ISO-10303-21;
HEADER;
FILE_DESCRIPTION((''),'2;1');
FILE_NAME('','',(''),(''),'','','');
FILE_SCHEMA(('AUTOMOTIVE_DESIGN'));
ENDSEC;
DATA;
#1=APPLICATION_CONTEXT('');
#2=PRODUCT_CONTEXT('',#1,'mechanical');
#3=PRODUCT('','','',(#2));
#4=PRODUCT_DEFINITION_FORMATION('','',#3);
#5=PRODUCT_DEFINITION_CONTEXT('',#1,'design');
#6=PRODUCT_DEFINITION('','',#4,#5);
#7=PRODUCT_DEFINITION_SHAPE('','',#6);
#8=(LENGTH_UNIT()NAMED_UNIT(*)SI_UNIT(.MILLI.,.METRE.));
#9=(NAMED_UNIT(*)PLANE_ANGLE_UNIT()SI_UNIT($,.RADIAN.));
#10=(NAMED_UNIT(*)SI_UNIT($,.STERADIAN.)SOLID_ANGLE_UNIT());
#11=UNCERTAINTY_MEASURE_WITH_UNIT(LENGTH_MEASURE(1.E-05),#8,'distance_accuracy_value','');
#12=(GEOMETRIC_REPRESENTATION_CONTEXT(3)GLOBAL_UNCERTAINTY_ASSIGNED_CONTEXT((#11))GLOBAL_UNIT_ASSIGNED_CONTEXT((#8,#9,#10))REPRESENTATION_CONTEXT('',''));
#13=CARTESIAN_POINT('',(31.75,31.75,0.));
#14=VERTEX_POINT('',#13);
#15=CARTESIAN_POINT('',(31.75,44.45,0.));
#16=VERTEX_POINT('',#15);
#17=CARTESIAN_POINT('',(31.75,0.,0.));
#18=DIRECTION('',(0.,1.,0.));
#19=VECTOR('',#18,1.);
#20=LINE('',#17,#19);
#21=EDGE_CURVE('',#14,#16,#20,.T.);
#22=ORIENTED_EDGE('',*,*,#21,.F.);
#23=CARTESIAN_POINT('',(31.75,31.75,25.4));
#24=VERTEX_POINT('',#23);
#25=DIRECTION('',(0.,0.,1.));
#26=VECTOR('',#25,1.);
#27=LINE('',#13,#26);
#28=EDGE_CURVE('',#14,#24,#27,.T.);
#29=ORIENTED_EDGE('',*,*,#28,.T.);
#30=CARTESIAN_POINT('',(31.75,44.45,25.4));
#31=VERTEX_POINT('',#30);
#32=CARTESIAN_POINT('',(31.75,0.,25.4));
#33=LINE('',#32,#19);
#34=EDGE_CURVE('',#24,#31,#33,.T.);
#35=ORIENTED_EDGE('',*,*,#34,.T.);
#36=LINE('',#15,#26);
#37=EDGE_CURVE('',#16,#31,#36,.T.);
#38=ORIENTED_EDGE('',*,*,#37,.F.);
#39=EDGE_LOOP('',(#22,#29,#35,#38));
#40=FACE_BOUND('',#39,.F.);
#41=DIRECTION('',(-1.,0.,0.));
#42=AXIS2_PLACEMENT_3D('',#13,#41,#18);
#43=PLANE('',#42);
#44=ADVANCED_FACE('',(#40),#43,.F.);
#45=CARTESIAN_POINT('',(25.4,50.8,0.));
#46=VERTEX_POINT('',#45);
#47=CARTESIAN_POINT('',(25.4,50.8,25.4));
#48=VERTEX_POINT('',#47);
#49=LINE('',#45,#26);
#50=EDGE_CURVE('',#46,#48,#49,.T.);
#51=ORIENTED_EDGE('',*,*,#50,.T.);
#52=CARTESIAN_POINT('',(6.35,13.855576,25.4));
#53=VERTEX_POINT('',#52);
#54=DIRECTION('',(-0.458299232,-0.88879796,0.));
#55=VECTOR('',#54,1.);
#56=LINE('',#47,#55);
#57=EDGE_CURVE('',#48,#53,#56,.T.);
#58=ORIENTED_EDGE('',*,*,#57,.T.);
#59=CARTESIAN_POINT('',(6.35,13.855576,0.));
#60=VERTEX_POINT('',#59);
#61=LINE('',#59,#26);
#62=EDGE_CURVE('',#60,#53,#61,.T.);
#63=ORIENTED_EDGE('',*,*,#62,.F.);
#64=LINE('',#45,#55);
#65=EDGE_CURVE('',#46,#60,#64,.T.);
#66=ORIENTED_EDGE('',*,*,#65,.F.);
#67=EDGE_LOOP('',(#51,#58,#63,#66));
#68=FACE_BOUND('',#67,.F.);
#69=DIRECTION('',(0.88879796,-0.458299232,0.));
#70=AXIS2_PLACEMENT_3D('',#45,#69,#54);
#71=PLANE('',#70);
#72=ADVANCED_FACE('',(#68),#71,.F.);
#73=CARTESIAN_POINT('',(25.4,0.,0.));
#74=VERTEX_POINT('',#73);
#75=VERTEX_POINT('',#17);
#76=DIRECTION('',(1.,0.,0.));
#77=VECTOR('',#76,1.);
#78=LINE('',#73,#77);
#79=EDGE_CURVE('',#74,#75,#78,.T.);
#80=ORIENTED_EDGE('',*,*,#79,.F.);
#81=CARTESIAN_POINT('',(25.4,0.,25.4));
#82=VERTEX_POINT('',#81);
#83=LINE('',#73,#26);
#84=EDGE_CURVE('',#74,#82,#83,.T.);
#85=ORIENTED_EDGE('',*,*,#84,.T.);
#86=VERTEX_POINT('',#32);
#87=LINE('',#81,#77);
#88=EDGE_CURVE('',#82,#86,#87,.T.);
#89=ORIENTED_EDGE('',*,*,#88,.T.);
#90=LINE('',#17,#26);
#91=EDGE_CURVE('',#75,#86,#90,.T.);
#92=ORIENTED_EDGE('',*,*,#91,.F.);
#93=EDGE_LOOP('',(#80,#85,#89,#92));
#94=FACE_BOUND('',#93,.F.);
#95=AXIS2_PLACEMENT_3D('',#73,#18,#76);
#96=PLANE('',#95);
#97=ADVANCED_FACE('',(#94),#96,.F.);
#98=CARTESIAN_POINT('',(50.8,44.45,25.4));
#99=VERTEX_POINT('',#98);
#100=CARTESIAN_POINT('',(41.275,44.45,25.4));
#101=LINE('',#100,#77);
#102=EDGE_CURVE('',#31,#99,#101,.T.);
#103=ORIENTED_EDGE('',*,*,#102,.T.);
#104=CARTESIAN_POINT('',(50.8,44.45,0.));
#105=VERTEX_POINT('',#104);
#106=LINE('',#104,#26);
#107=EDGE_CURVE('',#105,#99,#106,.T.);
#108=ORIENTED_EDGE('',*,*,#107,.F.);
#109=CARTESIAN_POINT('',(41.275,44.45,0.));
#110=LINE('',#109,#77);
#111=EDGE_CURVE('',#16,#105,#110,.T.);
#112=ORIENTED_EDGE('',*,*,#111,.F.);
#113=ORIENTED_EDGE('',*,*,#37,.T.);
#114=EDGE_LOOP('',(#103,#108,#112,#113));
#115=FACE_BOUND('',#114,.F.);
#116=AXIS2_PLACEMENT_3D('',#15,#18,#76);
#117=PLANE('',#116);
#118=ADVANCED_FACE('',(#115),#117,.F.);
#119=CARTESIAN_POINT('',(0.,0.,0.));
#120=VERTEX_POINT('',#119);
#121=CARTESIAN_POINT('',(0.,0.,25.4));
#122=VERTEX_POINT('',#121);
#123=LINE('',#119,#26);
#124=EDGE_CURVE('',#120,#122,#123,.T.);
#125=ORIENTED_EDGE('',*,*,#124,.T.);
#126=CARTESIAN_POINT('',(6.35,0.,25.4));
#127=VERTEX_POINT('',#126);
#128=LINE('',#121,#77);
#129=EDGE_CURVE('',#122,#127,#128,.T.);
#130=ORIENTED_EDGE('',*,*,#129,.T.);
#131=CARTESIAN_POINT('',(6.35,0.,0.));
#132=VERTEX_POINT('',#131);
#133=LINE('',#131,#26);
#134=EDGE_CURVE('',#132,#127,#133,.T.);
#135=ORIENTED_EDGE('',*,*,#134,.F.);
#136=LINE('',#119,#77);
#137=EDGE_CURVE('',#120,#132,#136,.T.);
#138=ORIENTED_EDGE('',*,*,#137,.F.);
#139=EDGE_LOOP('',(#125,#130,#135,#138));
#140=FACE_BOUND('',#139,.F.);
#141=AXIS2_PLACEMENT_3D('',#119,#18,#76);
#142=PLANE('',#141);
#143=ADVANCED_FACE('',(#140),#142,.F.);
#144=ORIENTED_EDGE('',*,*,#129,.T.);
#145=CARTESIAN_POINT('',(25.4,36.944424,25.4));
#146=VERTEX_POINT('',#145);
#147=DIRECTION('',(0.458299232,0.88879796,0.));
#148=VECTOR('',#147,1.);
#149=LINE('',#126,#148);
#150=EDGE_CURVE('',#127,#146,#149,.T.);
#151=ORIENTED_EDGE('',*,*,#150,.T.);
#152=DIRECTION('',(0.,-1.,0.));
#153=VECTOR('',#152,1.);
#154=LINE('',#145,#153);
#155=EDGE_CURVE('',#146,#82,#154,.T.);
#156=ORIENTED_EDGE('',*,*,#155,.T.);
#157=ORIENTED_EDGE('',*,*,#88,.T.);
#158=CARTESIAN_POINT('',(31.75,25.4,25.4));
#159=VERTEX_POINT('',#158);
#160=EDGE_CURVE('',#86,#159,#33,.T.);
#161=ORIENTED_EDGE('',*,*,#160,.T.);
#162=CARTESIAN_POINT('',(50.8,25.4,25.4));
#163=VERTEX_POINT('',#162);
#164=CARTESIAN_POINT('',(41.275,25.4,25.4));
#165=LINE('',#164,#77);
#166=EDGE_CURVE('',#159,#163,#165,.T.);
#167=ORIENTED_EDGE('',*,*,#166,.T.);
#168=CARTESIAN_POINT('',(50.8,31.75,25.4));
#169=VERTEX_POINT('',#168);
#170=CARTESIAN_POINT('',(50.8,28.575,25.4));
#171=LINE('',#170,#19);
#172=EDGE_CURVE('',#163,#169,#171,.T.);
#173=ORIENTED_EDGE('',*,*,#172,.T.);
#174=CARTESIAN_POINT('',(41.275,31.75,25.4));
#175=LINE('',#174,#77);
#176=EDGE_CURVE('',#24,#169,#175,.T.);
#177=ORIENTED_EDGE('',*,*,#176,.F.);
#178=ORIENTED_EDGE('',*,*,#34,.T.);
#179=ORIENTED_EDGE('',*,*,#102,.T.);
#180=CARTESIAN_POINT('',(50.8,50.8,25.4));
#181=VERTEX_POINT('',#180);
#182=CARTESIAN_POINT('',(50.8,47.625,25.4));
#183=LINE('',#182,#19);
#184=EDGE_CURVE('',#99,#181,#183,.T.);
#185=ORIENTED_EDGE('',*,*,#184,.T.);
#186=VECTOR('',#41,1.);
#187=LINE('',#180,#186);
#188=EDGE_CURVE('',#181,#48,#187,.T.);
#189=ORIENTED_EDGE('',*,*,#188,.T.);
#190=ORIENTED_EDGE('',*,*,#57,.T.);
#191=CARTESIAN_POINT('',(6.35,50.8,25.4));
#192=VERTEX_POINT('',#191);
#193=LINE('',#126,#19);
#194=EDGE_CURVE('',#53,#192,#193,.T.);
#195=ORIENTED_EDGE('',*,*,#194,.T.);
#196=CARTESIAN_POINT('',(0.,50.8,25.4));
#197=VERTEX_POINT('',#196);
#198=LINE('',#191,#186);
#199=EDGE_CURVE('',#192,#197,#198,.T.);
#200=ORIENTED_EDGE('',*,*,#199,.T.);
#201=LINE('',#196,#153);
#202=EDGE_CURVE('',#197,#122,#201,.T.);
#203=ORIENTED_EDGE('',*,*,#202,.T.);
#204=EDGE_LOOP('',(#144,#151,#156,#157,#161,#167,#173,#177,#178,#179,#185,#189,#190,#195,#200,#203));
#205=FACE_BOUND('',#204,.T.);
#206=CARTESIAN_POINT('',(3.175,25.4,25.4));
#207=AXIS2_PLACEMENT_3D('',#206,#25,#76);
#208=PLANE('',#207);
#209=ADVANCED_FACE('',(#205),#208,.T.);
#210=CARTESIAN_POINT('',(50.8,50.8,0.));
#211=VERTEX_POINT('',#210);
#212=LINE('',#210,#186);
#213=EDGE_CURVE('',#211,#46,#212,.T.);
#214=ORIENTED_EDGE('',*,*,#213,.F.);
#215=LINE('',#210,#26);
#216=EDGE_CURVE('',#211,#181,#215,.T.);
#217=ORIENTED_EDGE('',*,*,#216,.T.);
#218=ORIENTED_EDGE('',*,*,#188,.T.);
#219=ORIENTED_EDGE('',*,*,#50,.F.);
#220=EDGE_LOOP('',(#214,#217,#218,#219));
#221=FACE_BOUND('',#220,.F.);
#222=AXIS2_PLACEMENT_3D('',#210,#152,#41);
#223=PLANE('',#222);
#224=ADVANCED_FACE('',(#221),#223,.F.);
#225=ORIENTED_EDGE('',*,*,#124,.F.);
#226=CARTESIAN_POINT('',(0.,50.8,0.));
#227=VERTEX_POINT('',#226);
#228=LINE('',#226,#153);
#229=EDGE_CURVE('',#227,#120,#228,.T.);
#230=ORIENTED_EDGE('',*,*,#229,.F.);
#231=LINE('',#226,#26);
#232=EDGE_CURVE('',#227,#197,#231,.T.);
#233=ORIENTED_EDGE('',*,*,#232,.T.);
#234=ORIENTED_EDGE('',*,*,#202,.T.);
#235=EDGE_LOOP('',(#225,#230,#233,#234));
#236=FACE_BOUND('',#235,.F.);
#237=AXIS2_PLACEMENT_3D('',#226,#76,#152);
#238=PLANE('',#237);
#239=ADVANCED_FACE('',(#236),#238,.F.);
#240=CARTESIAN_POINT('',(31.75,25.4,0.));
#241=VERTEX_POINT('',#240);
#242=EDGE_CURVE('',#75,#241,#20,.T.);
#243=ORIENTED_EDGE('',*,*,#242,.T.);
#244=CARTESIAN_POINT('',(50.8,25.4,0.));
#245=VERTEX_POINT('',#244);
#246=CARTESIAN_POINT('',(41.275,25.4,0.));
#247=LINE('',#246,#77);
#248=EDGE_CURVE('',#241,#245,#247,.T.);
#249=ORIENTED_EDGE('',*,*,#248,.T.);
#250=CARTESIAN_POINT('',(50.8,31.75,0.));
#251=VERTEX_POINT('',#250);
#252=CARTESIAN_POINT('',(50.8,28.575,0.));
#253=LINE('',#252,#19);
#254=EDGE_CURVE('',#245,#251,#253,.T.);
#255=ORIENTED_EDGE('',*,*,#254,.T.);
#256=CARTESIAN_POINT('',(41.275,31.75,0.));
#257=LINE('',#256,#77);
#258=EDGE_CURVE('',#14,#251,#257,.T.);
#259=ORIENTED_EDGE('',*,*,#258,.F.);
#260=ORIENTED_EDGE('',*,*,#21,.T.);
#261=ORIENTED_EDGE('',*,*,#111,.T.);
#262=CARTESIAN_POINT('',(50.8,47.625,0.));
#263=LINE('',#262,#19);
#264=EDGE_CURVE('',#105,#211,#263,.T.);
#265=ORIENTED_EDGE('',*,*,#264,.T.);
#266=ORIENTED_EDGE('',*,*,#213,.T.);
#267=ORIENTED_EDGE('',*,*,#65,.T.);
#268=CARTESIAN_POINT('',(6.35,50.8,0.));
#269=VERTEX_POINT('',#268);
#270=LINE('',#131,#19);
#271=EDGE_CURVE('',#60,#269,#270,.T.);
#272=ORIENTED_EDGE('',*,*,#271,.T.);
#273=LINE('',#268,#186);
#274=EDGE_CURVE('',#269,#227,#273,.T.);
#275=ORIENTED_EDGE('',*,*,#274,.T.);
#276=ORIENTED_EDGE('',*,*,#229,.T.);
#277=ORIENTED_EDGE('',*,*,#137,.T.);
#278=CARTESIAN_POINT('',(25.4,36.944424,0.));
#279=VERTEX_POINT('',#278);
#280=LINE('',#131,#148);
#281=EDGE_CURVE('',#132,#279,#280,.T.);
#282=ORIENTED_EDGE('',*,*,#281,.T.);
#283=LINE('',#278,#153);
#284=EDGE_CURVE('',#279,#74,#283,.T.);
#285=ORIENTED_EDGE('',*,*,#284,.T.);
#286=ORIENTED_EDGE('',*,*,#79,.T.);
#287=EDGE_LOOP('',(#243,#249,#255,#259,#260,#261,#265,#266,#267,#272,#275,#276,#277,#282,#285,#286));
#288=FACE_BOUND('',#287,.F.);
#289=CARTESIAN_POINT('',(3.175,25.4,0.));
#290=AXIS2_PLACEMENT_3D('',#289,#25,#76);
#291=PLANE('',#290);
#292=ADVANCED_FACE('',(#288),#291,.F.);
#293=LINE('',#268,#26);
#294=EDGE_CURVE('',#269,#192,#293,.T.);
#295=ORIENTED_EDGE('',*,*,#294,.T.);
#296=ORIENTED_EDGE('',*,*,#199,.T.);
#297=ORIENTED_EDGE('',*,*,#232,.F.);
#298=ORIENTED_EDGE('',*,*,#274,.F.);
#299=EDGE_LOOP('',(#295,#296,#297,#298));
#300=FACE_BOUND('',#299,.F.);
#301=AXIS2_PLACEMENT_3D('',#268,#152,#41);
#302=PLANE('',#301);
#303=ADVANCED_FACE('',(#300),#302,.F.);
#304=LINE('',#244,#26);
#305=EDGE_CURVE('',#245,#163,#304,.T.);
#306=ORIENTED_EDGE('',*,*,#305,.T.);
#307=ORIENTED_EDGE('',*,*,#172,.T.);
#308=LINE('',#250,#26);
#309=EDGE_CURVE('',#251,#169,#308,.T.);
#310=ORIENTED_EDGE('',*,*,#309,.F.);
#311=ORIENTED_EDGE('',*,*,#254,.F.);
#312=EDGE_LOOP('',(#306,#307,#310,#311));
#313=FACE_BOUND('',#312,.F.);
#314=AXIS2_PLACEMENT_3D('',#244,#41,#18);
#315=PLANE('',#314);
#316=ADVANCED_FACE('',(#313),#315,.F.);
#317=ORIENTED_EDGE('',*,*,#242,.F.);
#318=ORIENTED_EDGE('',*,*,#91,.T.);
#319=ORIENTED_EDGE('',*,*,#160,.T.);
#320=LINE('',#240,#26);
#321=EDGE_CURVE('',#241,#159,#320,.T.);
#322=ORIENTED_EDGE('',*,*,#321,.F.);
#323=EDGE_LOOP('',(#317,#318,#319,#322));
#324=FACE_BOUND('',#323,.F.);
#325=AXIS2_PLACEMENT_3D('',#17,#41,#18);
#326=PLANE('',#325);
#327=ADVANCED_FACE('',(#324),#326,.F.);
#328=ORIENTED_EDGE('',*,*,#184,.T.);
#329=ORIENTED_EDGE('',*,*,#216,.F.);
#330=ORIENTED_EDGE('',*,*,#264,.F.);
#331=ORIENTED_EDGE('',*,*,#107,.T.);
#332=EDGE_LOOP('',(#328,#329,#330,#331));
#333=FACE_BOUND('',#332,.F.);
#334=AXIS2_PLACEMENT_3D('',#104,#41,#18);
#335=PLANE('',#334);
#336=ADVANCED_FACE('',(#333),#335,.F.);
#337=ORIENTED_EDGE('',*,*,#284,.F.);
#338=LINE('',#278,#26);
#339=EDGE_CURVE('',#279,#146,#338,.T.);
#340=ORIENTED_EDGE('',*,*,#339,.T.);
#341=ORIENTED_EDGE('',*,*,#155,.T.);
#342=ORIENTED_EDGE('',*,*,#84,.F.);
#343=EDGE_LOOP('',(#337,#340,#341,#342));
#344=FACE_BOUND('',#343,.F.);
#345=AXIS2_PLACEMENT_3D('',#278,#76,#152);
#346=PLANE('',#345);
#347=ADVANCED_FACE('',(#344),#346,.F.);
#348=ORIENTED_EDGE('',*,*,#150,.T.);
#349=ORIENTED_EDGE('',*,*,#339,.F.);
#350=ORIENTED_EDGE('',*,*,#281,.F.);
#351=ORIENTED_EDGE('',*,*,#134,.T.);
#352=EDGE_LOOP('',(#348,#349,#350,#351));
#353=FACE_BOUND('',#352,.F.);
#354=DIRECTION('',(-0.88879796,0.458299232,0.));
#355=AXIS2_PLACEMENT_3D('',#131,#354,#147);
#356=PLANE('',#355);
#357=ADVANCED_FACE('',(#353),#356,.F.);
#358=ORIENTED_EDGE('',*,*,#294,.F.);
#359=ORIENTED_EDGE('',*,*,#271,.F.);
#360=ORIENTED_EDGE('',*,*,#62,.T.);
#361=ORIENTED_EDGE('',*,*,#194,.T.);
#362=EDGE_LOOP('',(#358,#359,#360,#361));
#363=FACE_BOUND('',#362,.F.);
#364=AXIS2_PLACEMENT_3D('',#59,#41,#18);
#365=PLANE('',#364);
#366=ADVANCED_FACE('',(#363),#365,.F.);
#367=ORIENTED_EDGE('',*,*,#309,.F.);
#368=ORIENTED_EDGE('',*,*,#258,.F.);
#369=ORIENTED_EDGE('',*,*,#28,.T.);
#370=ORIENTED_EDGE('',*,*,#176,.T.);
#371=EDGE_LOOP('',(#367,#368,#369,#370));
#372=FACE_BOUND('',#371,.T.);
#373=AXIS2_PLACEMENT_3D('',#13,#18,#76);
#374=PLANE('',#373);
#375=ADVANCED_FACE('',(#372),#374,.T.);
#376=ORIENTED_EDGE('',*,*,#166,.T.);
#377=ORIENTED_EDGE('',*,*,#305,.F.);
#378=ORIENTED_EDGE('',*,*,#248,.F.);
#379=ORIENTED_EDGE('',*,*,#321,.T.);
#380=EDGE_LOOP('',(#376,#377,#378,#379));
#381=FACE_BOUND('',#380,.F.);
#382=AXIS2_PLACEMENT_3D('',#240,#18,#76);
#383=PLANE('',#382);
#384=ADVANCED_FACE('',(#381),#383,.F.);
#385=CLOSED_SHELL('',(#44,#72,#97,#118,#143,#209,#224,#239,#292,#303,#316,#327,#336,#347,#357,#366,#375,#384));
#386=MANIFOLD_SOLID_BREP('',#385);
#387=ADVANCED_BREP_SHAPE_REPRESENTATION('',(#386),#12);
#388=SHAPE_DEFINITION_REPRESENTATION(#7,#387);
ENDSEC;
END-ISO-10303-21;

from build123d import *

# Parameters (mm, degrees)
F0_W     = 19.05
F0_H     = 6.35
F1_DEPTH = 25.4


with BuildPart() as f1:
    # F0 (on Top) → F1 (new body)
    with BuildSketch(Plane.XY):
        Polygon((0, 50.8), (0, 0), (6.35, 0), (6.35, 13.855576), (6.35, 50.8), align=None)
        Polygon((6.35, 13.855576), (6.35, 0), (25.4, 36.944424), (25.4, 50.8), align=None)
        Polygon((25.4, 50.8), (25.4, 36.944424), (25.4, 0), (31.75, 0), (31.75, 25.4), (31.75, 31.75), (31.75, 44.45), (31.75, 50.8), align=None)
        with Locations((41.275, 47.625)):
            Rectangle(F0_W, F0_H)
        with Locations((41.275, 28.575)):
            Rectangle(F0_W, F0_H)
    extrude(amount=F1_DEPTH)


solid = f1.part
